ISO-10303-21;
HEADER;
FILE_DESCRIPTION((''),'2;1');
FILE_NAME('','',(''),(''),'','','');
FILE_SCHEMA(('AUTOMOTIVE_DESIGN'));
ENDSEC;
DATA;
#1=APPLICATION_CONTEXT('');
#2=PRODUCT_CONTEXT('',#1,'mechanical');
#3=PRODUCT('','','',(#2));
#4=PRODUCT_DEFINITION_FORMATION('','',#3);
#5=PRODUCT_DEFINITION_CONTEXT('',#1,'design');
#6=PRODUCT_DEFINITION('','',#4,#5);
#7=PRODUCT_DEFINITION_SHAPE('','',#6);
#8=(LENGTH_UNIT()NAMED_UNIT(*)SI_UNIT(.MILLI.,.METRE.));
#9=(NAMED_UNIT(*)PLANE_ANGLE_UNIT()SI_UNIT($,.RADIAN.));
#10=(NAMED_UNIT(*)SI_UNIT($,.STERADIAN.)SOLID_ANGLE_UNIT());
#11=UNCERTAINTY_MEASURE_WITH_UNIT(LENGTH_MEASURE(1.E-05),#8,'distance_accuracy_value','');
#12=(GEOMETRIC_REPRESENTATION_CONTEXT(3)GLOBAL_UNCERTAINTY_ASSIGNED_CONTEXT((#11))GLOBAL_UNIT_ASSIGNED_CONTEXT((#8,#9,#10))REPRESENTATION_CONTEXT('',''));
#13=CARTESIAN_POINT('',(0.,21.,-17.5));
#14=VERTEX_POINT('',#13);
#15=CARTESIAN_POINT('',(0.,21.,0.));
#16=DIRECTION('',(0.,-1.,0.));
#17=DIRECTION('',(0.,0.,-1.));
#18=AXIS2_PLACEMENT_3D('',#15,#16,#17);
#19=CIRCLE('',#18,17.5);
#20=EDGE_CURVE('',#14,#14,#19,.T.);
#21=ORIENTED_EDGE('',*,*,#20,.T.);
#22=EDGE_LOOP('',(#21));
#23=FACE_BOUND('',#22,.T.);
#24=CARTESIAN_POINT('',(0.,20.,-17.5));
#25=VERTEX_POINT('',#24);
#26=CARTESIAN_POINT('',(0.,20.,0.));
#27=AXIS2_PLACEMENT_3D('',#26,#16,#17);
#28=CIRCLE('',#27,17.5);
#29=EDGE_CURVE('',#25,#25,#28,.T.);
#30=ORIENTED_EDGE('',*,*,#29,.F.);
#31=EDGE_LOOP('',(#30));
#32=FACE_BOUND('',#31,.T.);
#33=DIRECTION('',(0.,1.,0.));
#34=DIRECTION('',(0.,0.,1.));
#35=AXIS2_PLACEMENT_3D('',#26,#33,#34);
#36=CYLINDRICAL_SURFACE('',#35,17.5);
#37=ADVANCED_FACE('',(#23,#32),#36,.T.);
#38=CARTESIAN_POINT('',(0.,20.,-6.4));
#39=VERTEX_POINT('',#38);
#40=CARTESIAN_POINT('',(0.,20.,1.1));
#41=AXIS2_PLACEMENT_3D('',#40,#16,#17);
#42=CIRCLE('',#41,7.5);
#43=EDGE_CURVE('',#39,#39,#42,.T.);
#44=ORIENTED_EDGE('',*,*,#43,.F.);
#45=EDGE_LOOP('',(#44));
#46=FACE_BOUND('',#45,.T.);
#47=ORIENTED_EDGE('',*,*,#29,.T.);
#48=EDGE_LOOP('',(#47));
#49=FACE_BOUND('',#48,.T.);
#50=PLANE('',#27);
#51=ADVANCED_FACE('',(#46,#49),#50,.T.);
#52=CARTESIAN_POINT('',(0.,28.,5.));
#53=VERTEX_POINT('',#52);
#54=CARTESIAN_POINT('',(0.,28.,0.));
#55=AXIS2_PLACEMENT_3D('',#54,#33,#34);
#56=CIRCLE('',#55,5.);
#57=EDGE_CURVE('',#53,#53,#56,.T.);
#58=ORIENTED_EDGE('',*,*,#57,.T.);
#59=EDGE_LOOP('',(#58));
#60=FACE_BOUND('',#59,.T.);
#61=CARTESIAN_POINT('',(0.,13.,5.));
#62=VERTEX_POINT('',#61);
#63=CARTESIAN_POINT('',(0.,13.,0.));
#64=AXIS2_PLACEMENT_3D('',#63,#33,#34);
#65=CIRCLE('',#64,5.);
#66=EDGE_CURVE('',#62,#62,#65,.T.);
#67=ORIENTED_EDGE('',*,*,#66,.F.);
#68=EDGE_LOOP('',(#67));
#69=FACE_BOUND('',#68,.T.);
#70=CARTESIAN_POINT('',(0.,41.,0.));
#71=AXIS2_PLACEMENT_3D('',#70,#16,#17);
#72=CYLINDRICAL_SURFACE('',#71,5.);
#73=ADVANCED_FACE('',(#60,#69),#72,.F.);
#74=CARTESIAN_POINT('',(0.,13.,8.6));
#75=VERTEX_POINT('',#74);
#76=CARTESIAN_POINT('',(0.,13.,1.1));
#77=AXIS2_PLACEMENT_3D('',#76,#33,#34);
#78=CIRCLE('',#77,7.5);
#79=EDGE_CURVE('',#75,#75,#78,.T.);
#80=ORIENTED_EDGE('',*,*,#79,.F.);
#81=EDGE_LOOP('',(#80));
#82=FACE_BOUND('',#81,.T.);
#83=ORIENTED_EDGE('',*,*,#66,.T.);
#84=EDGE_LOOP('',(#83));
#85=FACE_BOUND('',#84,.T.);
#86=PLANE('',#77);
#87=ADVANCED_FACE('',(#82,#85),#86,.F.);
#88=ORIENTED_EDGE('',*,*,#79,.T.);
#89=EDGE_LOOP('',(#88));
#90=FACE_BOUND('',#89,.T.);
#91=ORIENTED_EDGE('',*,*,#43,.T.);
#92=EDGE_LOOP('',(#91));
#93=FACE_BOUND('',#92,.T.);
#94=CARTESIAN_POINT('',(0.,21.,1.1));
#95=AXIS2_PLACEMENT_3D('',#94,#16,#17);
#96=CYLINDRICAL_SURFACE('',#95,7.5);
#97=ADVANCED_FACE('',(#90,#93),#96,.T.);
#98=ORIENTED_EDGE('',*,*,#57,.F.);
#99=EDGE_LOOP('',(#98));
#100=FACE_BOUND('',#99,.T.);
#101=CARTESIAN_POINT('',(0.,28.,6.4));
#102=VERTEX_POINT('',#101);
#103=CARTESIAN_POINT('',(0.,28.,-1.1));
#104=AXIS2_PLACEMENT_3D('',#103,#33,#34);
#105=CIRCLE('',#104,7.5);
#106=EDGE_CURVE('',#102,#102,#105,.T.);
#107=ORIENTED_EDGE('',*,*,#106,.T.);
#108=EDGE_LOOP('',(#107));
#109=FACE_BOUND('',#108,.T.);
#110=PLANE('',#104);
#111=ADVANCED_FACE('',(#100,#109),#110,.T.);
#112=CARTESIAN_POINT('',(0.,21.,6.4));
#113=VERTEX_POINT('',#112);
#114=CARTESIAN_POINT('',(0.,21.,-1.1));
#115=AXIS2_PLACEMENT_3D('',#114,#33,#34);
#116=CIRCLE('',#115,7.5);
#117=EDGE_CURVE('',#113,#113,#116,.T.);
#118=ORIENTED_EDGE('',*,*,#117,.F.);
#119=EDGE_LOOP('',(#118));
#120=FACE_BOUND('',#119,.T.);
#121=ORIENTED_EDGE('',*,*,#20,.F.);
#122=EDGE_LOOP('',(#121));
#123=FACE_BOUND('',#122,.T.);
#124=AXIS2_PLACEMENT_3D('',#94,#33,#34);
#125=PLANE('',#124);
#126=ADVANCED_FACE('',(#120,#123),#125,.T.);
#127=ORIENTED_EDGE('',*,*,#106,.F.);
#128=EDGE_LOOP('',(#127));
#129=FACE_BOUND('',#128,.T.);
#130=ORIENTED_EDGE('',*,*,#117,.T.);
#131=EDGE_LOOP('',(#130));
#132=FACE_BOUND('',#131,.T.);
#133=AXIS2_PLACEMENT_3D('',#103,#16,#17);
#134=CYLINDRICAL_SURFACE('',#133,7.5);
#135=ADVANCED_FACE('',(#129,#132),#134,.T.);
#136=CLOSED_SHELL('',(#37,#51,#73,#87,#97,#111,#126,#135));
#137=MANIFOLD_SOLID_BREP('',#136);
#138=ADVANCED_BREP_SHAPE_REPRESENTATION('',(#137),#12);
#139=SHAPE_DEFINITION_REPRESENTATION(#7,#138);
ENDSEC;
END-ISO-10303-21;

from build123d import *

# Parameters (mm, degrees)
SKETCH1_R           = 5
BOSS_EXTRUDE1_DEPTH = 13
SKETCH2_R           = 7.5
BOSS_EXTRUDE2_DEPTH = 8
SKETCH3_R           = 7.5
BOSS_EXTRUDE3_DEPTH = 7
SKETCH4_R           = 5
BOSS_EXTRUDE4_DEPTH = 13
SKETCH5_R           = 5
CUT_EXTRUDE1_DEPTH  = 43.558312936
SKETCH6_R           = 17.5
BOSS_EXTRUDE5_DEPTH = 1
SKETCH7_R           = 5
CUT_EXTRUDE2_DEPTH  = 27.009613607


with BuildPart() as part:
    # Sketch1 → Boss-Extrude1 (new body)
    with BuildSketch(Plane(origin=(0, 0, 0), x_dir=(1, 0, 0), z_dir=(0, 1, 0))):
        with Locations(Location((0, 0, 0), (0, 0, 90))):
            Circle(SKETCH1_R)
    extrude(amount=BOSS_EXTRUDE1_DEPTH)

    # Sketch2 → Boss-Extrude2 (add)
    with BuildSketch(Plane(origin=(0, 13, 0), x_dir=(1, 0, 0), z_dir=(0, 1, 0))):
        with Locations(Location((0, -1.1, 0), (0, 0, 270))):
            Circle(SKETCH2_R)
    extrude(amount=BOSS_EXTRUDE2_DEPTH)

    # Sketch3 → Boss-Extrude3 (add)
    with BuildSketch(Plane(origin=(0, 21, 0), x_dir=(1, 0, 0), z_dir=(0, 1, 0))):
        with Locations(Location((0, 1.1, 0), (0, 0, 188.433804098))):
            Circle(SKETCH3_R)
    extrude(amount=BOSS_EXTRUDE3_DEPTH)

    # Sketch4 → Boss-Extrude4 (add)
    with BuildSketch(Plane(origin=(0, 28, 0), x_dir=(1, 0, 0), z_dir=(0, 1, 0))):
        with Locations(Location((0, 0, 0), (0, 0, 90))):
            Circle(SKETCH4_R)
    extrude(amount=BOSS_EXTRUDE4_DEPTH)

    # Sketch5 → Cut-Extrude1 (cut, through all)
    with BuildSketch(Plane.XZ):
        with Locations(Location((0, 0, 0), (0, 0, 90))):
            Circle(SKETCH5_R)
    extrude(amount=-CUT_EXTRUDE1_DEPTH, mode=Mode.SUBTRACT)

    # Sketch6 → Boss-Extrude5 (add)
    with BuildSketch(Plane.XZ.offset(-21)):
        with Locations(Location((0, 0, 0), (0, 0, 270))):
            Circle(SKETCH6_R)
    extrude(amount=BOSS_EXTRUDE5_DEPTH)

    # Sketch7 → Cut-Extrude2 (cut, through all)
    with BuildSketch(Plane(origin=(0, 21, 0), x_dir=(1, 0, 0), z_dir=(0, 1, 0))):
        with Locations(Location((0, 0, 0), (0, 0, 270))):
            Circle(SKETCH7_R)
    extrude(amount=-CUT_EXTRUDE2_DEPTH, mode=Mode.SUBTRACT)


solid = part.part
